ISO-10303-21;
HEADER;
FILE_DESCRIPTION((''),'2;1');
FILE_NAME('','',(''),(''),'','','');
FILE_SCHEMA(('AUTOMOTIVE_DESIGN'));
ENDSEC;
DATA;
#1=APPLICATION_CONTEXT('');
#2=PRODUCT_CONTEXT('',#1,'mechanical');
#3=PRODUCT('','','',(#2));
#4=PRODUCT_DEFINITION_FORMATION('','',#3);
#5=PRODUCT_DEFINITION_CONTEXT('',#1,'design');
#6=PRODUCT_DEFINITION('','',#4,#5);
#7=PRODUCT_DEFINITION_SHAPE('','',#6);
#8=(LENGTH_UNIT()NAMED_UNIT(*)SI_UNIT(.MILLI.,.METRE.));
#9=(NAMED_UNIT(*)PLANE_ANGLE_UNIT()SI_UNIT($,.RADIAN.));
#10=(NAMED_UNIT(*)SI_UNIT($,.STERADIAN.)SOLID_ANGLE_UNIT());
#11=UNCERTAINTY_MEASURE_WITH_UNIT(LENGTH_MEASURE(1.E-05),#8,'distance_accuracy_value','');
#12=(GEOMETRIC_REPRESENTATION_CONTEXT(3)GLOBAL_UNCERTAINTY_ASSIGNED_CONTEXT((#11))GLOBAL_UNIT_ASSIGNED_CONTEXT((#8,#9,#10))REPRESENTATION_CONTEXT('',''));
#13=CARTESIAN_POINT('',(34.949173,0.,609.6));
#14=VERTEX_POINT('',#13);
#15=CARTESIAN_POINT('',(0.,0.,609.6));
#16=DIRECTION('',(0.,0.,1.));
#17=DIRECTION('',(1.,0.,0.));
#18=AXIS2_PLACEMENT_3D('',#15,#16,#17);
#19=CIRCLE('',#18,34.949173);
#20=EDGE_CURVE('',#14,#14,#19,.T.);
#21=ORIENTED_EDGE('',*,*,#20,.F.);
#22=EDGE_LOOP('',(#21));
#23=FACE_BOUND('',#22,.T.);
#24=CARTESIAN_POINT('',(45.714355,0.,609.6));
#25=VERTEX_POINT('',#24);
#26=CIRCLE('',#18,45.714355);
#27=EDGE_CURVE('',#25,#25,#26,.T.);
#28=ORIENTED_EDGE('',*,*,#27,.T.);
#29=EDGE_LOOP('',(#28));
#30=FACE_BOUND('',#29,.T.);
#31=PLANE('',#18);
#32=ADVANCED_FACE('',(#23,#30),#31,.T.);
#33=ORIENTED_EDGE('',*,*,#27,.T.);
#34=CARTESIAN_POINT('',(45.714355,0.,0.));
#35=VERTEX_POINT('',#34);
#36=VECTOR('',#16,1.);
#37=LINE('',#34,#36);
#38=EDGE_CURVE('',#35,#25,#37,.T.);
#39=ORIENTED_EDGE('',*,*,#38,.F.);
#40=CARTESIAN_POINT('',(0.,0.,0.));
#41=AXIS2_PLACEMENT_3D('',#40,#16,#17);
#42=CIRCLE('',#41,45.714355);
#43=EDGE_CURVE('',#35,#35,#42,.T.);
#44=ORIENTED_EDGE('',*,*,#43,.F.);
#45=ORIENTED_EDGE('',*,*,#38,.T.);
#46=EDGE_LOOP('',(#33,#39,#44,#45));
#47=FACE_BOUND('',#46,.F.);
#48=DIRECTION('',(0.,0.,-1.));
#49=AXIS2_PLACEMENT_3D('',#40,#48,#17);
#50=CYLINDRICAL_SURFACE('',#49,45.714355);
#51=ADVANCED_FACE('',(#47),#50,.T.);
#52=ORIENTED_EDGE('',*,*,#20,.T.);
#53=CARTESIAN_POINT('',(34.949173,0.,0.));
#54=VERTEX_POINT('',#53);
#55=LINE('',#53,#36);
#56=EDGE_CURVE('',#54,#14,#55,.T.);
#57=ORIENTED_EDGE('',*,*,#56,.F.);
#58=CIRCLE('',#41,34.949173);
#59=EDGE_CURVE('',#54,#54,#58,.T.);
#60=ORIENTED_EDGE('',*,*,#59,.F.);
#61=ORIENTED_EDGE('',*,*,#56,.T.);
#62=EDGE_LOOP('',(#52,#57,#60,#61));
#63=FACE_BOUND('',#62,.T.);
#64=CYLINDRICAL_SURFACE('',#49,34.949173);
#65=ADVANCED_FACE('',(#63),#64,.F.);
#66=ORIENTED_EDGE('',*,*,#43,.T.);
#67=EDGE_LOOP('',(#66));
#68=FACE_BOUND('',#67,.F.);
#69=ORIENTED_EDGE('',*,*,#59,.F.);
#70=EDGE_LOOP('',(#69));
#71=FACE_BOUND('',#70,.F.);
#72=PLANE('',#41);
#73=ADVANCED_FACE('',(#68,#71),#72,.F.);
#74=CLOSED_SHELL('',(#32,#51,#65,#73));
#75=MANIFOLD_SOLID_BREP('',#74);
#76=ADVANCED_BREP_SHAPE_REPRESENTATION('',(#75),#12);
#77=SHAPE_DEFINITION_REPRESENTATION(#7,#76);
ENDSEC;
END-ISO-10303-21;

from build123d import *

# Parameters (mm, degrees)
F0_R     = 45.714355
F0_R_2   = 34.949173
F1_DEPTH = 609.6


with BuildPart() as f1:
    # F0 (on Top) → F1 (new body)
    with BuildSketch(Plane.XY):
        Circle(F0_R)
        Circle(F0_R_2, mode=Mode.SUBTRACT)
    extrude(amount=F1_DEPTH)


solid = f1.part
